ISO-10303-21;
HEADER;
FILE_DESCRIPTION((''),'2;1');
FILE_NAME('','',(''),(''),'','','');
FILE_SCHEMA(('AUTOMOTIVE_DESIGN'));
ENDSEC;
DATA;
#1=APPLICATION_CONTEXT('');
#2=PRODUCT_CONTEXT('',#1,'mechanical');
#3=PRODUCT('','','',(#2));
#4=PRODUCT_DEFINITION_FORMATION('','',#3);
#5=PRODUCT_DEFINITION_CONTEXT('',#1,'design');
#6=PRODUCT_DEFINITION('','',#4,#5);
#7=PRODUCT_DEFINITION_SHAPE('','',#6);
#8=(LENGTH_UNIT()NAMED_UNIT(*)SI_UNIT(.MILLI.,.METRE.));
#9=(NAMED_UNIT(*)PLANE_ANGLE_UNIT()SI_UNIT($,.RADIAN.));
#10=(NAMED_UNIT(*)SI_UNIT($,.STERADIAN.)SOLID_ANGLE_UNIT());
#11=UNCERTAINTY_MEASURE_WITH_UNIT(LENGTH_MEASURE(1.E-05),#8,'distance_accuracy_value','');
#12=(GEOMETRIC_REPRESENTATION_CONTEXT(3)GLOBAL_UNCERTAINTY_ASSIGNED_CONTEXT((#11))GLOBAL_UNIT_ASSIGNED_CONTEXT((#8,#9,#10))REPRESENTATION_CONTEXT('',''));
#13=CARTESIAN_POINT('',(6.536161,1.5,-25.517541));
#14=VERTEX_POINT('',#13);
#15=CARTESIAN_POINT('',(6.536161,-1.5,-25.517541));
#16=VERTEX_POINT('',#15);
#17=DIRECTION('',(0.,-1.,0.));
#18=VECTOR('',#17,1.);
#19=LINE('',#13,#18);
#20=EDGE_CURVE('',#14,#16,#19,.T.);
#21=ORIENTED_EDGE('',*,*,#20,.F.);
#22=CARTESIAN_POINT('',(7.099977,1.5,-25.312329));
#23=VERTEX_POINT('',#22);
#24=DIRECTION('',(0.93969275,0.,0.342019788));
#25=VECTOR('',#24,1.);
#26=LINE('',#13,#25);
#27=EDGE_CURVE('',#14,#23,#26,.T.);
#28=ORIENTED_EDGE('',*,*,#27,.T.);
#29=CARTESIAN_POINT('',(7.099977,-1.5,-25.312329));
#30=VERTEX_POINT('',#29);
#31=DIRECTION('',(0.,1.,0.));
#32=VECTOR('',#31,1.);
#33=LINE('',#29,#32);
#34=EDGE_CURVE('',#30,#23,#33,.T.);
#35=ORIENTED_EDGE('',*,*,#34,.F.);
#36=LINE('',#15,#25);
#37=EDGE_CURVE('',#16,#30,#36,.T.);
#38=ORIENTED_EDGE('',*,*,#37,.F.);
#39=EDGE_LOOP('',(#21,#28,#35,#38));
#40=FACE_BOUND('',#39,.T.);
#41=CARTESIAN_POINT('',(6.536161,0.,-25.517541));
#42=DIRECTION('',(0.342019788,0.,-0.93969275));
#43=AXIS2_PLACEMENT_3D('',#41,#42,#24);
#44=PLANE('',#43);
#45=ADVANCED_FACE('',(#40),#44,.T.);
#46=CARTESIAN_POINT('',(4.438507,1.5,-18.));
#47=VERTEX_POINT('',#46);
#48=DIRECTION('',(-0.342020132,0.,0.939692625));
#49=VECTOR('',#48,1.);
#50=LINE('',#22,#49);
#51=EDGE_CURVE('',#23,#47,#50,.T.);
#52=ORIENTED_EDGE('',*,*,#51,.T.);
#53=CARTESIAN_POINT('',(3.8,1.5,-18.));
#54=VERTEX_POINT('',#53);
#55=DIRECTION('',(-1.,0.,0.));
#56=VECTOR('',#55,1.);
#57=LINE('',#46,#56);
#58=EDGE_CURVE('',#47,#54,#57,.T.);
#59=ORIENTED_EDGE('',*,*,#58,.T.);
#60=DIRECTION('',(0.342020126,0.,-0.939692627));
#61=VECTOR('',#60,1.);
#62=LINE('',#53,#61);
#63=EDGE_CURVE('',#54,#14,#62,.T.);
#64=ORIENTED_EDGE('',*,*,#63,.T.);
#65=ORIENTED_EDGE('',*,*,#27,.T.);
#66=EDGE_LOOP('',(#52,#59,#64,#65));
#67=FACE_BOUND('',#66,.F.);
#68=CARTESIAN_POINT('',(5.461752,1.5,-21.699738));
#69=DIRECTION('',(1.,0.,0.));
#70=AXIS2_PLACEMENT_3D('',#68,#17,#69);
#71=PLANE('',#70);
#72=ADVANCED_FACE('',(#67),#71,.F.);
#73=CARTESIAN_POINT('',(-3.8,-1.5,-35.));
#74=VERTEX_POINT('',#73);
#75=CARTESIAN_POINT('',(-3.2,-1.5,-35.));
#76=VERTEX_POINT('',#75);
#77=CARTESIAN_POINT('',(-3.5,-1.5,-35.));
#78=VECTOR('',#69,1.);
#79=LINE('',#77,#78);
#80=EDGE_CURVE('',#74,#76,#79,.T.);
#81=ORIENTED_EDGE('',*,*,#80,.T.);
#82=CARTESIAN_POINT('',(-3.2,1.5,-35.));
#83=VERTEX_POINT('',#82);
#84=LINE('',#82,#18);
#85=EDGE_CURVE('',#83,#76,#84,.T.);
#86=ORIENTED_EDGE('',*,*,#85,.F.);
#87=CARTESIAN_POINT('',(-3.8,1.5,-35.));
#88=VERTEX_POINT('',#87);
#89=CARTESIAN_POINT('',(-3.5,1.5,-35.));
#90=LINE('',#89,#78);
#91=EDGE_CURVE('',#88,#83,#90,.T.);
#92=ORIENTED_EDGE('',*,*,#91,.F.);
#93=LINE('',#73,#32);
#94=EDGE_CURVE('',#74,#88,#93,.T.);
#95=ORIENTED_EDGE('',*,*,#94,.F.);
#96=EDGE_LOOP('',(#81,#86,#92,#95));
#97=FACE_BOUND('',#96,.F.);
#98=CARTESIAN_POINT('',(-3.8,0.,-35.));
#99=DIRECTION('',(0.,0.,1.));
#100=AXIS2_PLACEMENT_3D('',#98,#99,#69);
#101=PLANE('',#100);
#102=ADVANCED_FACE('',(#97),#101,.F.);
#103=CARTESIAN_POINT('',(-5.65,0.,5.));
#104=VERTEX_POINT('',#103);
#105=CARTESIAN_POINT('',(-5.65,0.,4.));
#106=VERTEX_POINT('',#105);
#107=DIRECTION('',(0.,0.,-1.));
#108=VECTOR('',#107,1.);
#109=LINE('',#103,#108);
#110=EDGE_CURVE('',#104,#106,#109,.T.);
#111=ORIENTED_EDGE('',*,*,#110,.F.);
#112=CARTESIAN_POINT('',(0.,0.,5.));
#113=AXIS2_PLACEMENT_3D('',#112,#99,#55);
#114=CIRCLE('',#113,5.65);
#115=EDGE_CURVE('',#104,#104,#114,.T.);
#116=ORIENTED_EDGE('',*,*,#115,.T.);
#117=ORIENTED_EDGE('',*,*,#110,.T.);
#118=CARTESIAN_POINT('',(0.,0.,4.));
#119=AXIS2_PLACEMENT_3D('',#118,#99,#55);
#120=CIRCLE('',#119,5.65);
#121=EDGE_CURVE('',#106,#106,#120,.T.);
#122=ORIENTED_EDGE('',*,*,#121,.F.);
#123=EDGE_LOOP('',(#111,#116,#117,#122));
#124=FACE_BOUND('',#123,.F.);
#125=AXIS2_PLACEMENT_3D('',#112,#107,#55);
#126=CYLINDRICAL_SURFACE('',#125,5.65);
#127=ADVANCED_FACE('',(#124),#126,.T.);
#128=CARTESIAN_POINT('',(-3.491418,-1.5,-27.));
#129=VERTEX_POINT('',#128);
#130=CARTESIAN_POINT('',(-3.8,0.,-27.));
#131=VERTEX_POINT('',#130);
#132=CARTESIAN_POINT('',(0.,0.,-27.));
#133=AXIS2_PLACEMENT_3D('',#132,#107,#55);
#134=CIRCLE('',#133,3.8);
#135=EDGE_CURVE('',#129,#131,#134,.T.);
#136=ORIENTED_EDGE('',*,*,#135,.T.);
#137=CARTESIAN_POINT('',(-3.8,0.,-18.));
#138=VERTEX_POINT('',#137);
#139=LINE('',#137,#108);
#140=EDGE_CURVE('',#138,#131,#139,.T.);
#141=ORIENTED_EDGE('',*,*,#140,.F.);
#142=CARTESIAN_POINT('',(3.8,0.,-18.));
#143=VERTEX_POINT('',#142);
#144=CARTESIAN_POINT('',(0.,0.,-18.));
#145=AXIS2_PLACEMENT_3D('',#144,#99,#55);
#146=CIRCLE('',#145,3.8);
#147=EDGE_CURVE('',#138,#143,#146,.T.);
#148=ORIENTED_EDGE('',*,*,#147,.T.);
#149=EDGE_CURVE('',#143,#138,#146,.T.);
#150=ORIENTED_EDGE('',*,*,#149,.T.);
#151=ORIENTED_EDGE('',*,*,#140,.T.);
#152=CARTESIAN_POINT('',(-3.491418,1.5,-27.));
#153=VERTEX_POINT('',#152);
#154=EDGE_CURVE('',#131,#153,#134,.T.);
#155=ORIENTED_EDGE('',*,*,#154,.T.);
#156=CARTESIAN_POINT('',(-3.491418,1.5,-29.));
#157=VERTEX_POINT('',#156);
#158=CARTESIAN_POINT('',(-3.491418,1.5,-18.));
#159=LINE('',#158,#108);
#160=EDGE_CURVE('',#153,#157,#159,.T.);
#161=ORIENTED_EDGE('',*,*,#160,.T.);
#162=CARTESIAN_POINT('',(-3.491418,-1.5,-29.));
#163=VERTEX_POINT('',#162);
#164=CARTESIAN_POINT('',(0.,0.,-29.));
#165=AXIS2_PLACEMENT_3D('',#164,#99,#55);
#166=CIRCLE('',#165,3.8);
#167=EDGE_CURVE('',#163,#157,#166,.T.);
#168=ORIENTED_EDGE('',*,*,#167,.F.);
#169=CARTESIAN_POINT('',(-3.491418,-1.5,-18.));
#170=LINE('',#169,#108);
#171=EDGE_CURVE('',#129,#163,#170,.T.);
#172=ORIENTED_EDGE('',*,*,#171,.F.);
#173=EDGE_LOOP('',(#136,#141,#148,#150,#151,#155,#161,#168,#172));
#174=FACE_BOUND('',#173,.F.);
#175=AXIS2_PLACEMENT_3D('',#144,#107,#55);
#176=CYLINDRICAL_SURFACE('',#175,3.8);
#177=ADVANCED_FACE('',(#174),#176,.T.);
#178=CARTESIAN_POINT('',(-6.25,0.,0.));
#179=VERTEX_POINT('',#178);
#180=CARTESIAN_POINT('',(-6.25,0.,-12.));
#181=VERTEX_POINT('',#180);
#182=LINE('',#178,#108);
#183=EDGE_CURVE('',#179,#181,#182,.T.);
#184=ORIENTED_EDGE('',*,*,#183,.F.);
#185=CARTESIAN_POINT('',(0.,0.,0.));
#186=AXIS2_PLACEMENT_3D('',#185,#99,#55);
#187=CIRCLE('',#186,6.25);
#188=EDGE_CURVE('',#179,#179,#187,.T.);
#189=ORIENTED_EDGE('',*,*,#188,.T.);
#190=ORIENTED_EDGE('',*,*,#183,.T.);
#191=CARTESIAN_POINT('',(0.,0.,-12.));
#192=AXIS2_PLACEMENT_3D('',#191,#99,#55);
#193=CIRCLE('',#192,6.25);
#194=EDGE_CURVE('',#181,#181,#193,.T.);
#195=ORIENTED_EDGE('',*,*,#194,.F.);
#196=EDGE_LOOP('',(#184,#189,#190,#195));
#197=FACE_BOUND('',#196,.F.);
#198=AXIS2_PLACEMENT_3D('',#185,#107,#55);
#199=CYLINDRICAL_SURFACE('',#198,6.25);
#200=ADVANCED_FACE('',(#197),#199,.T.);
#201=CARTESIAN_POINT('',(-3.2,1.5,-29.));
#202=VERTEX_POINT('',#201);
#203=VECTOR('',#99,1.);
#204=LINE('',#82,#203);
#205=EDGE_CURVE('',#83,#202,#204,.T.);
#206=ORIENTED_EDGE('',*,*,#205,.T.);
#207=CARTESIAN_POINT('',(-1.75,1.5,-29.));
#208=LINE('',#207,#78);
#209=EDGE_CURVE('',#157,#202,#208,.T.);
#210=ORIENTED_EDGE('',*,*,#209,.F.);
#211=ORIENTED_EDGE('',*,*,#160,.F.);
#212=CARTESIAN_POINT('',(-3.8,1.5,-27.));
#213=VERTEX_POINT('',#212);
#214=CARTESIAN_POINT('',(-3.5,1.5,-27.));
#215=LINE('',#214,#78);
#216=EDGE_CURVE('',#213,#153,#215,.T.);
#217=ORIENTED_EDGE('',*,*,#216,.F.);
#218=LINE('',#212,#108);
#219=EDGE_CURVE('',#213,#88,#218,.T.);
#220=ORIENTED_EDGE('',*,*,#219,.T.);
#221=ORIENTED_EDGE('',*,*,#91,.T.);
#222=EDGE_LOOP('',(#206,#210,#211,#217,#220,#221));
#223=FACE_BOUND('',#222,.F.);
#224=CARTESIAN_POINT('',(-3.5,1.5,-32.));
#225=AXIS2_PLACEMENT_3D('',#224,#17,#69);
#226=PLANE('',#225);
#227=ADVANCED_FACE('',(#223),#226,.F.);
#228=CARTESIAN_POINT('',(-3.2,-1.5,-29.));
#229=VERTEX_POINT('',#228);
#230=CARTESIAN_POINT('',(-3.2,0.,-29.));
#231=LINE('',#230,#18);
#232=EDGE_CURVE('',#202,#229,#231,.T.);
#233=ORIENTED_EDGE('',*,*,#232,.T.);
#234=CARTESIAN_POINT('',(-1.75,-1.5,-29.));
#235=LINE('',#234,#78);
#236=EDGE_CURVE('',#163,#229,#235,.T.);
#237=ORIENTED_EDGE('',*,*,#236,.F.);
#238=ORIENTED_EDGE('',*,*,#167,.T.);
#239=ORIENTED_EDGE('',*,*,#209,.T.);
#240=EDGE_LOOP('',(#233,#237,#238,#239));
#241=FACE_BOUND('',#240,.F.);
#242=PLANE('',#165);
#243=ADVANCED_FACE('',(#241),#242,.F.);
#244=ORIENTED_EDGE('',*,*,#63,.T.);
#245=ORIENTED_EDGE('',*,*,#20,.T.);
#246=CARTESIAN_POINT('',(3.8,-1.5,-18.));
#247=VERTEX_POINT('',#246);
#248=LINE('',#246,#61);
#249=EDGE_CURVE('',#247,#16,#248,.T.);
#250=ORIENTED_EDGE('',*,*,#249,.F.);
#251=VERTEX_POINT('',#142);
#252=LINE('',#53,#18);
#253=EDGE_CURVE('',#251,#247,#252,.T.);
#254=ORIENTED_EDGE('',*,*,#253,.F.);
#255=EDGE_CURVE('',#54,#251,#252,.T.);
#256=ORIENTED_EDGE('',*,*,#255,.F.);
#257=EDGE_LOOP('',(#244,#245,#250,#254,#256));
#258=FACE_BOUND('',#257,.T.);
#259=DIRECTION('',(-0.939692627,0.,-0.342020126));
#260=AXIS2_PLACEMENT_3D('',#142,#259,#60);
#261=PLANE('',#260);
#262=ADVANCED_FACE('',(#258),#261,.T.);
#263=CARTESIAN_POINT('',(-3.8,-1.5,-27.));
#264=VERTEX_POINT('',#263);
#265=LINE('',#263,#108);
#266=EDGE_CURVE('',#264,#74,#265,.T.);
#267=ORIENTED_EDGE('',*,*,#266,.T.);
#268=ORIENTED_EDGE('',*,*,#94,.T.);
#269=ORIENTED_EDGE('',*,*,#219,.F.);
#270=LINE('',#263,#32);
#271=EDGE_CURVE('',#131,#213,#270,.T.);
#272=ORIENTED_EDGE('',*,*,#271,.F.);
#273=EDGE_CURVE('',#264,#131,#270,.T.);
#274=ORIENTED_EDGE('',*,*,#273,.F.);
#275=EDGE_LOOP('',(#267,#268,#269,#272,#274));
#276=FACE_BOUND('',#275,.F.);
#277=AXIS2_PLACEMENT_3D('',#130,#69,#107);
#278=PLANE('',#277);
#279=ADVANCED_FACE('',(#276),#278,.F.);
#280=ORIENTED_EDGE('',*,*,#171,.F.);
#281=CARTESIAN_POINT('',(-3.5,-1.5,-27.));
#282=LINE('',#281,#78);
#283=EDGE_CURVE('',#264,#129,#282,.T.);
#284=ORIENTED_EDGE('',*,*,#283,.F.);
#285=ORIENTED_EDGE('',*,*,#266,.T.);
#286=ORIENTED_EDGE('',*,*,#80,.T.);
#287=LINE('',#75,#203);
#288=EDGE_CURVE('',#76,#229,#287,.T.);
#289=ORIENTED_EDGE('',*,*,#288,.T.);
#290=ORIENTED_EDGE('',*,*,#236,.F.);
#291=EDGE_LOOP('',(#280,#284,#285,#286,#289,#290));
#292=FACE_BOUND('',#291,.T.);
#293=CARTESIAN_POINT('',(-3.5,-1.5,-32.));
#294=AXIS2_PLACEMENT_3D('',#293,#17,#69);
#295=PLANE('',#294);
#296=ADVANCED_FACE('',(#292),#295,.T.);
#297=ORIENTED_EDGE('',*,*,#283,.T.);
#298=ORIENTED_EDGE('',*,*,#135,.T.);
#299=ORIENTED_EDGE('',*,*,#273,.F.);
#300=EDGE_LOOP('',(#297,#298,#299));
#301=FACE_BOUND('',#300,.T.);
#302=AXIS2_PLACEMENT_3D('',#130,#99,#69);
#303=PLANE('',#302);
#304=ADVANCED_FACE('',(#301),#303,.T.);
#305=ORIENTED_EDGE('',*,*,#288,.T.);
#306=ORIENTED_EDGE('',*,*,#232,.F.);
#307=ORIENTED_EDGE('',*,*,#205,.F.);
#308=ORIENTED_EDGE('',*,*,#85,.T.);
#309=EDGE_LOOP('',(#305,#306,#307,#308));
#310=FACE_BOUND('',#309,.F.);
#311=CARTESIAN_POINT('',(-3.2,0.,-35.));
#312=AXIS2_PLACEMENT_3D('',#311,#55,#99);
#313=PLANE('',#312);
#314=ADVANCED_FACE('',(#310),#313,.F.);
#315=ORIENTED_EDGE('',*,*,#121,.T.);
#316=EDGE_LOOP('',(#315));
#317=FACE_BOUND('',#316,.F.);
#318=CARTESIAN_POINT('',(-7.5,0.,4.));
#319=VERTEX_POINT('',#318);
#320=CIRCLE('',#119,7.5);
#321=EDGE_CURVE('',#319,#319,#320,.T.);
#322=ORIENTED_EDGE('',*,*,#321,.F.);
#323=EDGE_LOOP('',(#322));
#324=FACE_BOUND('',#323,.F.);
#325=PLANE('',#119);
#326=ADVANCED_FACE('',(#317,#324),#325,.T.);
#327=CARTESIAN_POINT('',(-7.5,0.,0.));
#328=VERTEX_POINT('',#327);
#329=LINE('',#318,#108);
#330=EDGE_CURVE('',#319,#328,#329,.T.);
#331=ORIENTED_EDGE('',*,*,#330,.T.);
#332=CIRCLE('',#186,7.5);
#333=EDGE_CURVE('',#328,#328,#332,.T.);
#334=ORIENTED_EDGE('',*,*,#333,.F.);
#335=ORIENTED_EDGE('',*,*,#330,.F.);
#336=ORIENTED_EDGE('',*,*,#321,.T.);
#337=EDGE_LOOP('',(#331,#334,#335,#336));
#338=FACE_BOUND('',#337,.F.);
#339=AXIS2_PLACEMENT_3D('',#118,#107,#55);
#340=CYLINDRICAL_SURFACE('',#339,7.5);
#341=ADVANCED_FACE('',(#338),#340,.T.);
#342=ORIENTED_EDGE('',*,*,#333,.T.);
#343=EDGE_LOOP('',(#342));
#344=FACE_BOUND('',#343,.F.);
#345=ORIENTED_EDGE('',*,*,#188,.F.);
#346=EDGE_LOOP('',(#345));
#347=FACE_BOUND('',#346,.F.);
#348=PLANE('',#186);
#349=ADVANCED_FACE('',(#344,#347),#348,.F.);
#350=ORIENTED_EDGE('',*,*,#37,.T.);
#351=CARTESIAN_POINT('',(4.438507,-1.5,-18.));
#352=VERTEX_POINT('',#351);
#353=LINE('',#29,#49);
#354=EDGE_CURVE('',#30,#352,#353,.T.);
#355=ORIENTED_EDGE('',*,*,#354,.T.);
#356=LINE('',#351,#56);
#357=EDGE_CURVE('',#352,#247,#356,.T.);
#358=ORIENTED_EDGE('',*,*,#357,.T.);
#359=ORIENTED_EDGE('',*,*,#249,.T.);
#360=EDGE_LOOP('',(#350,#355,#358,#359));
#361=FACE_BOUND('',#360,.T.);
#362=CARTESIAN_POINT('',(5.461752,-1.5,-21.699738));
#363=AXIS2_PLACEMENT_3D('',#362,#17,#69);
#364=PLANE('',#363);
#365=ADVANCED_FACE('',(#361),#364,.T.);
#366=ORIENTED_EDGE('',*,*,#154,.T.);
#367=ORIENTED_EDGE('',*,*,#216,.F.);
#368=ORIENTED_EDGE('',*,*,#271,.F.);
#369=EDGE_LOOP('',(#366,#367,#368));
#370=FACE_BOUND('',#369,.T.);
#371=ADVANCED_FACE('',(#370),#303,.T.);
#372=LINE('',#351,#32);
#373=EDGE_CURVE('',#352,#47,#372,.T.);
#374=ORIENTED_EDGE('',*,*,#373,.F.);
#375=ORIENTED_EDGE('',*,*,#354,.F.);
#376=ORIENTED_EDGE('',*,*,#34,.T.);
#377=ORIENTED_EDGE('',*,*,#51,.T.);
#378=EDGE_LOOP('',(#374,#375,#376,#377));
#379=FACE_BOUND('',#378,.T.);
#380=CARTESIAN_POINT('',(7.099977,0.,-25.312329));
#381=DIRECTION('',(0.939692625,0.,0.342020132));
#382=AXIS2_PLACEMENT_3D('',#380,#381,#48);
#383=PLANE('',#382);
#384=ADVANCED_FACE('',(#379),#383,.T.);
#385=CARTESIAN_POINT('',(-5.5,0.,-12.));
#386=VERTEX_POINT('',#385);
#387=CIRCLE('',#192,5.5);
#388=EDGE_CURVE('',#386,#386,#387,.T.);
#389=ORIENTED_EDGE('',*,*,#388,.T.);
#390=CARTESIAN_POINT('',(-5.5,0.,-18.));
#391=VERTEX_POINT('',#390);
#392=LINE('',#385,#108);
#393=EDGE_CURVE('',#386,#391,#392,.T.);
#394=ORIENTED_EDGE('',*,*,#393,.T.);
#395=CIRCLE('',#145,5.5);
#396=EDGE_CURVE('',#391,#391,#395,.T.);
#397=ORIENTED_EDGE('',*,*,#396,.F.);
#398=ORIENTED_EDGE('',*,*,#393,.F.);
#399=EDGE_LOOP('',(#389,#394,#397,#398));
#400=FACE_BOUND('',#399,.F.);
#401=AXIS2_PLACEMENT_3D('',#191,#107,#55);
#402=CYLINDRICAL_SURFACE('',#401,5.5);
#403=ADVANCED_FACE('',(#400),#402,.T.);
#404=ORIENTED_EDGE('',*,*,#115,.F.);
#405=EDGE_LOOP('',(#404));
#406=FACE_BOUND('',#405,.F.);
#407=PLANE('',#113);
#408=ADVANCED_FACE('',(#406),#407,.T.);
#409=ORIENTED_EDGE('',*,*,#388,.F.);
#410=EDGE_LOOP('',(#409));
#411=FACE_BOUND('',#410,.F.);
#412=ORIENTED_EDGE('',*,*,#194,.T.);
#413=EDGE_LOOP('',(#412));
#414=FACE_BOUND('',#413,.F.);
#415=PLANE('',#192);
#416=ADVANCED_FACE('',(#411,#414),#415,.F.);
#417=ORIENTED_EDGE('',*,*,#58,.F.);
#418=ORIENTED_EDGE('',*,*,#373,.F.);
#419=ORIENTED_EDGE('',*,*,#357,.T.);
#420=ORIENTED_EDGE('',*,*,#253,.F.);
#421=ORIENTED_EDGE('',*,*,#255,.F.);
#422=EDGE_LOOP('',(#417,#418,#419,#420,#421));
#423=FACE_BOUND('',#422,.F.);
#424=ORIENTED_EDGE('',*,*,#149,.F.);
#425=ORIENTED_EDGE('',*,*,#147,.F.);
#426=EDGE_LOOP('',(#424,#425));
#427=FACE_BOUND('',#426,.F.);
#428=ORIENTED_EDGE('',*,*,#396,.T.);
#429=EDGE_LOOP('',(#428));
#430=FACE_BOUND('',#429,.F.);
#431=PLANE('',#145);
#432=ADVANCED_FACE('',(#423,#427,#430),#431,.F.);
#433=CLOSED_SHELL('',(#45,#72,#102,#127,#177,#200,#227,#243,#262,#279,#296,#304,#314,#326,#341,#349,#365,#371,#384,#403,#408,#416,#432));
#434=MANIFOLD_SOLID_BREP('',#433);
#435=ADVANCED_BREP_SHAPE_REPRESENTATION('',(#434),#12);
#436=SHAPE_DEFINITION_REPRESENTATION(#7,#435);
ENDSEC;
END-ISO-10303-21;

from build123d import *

# Parameters (mm, degrees)
F0_W     = 0.6
F0_H     = 2
F0_H_2   = 6
F2_DEPTH = 1.5


with BuildPart() as f1:
    # F0 (on Front) → F1 (revolve)
    with BuildSketch(Plane.XZ):
        Polygon((0, 5), (-5.65, 5), (-5.65, 4), (-7.5, 4), (-7.5, 0), (-6.25, 0), (-6.25, -12), (-5.5, -12), (-5.5, -18), (-3.8, -18), (-3.8, -27), (-3.2, -27), (-3.2, -29), (0, -29), align=None)
        with Locations((-3.5, -28)):
            Rectangle(F0_W, F0_H)
    revolve(axis=Axis((0, 0, -12), (0, 0, 1)))

    # F0 (on Front) → F2 (join, symmetric)
    with BuildSketch(Plane.XZ):
        with Locations((-3.5, -32)):
            Rectangle(F0_W, F0_H_2)
        Polygon((4.438507, -18), (3.8, -18), (6.536161, -25.517541), (7.099977, -25.312329), align=None)
        with Locations((-3.5, -28)):
            Rectangle(F0_W, F0_H)
    extrude(amount=F2_DEPTH, both=True)


solid = f1.part
